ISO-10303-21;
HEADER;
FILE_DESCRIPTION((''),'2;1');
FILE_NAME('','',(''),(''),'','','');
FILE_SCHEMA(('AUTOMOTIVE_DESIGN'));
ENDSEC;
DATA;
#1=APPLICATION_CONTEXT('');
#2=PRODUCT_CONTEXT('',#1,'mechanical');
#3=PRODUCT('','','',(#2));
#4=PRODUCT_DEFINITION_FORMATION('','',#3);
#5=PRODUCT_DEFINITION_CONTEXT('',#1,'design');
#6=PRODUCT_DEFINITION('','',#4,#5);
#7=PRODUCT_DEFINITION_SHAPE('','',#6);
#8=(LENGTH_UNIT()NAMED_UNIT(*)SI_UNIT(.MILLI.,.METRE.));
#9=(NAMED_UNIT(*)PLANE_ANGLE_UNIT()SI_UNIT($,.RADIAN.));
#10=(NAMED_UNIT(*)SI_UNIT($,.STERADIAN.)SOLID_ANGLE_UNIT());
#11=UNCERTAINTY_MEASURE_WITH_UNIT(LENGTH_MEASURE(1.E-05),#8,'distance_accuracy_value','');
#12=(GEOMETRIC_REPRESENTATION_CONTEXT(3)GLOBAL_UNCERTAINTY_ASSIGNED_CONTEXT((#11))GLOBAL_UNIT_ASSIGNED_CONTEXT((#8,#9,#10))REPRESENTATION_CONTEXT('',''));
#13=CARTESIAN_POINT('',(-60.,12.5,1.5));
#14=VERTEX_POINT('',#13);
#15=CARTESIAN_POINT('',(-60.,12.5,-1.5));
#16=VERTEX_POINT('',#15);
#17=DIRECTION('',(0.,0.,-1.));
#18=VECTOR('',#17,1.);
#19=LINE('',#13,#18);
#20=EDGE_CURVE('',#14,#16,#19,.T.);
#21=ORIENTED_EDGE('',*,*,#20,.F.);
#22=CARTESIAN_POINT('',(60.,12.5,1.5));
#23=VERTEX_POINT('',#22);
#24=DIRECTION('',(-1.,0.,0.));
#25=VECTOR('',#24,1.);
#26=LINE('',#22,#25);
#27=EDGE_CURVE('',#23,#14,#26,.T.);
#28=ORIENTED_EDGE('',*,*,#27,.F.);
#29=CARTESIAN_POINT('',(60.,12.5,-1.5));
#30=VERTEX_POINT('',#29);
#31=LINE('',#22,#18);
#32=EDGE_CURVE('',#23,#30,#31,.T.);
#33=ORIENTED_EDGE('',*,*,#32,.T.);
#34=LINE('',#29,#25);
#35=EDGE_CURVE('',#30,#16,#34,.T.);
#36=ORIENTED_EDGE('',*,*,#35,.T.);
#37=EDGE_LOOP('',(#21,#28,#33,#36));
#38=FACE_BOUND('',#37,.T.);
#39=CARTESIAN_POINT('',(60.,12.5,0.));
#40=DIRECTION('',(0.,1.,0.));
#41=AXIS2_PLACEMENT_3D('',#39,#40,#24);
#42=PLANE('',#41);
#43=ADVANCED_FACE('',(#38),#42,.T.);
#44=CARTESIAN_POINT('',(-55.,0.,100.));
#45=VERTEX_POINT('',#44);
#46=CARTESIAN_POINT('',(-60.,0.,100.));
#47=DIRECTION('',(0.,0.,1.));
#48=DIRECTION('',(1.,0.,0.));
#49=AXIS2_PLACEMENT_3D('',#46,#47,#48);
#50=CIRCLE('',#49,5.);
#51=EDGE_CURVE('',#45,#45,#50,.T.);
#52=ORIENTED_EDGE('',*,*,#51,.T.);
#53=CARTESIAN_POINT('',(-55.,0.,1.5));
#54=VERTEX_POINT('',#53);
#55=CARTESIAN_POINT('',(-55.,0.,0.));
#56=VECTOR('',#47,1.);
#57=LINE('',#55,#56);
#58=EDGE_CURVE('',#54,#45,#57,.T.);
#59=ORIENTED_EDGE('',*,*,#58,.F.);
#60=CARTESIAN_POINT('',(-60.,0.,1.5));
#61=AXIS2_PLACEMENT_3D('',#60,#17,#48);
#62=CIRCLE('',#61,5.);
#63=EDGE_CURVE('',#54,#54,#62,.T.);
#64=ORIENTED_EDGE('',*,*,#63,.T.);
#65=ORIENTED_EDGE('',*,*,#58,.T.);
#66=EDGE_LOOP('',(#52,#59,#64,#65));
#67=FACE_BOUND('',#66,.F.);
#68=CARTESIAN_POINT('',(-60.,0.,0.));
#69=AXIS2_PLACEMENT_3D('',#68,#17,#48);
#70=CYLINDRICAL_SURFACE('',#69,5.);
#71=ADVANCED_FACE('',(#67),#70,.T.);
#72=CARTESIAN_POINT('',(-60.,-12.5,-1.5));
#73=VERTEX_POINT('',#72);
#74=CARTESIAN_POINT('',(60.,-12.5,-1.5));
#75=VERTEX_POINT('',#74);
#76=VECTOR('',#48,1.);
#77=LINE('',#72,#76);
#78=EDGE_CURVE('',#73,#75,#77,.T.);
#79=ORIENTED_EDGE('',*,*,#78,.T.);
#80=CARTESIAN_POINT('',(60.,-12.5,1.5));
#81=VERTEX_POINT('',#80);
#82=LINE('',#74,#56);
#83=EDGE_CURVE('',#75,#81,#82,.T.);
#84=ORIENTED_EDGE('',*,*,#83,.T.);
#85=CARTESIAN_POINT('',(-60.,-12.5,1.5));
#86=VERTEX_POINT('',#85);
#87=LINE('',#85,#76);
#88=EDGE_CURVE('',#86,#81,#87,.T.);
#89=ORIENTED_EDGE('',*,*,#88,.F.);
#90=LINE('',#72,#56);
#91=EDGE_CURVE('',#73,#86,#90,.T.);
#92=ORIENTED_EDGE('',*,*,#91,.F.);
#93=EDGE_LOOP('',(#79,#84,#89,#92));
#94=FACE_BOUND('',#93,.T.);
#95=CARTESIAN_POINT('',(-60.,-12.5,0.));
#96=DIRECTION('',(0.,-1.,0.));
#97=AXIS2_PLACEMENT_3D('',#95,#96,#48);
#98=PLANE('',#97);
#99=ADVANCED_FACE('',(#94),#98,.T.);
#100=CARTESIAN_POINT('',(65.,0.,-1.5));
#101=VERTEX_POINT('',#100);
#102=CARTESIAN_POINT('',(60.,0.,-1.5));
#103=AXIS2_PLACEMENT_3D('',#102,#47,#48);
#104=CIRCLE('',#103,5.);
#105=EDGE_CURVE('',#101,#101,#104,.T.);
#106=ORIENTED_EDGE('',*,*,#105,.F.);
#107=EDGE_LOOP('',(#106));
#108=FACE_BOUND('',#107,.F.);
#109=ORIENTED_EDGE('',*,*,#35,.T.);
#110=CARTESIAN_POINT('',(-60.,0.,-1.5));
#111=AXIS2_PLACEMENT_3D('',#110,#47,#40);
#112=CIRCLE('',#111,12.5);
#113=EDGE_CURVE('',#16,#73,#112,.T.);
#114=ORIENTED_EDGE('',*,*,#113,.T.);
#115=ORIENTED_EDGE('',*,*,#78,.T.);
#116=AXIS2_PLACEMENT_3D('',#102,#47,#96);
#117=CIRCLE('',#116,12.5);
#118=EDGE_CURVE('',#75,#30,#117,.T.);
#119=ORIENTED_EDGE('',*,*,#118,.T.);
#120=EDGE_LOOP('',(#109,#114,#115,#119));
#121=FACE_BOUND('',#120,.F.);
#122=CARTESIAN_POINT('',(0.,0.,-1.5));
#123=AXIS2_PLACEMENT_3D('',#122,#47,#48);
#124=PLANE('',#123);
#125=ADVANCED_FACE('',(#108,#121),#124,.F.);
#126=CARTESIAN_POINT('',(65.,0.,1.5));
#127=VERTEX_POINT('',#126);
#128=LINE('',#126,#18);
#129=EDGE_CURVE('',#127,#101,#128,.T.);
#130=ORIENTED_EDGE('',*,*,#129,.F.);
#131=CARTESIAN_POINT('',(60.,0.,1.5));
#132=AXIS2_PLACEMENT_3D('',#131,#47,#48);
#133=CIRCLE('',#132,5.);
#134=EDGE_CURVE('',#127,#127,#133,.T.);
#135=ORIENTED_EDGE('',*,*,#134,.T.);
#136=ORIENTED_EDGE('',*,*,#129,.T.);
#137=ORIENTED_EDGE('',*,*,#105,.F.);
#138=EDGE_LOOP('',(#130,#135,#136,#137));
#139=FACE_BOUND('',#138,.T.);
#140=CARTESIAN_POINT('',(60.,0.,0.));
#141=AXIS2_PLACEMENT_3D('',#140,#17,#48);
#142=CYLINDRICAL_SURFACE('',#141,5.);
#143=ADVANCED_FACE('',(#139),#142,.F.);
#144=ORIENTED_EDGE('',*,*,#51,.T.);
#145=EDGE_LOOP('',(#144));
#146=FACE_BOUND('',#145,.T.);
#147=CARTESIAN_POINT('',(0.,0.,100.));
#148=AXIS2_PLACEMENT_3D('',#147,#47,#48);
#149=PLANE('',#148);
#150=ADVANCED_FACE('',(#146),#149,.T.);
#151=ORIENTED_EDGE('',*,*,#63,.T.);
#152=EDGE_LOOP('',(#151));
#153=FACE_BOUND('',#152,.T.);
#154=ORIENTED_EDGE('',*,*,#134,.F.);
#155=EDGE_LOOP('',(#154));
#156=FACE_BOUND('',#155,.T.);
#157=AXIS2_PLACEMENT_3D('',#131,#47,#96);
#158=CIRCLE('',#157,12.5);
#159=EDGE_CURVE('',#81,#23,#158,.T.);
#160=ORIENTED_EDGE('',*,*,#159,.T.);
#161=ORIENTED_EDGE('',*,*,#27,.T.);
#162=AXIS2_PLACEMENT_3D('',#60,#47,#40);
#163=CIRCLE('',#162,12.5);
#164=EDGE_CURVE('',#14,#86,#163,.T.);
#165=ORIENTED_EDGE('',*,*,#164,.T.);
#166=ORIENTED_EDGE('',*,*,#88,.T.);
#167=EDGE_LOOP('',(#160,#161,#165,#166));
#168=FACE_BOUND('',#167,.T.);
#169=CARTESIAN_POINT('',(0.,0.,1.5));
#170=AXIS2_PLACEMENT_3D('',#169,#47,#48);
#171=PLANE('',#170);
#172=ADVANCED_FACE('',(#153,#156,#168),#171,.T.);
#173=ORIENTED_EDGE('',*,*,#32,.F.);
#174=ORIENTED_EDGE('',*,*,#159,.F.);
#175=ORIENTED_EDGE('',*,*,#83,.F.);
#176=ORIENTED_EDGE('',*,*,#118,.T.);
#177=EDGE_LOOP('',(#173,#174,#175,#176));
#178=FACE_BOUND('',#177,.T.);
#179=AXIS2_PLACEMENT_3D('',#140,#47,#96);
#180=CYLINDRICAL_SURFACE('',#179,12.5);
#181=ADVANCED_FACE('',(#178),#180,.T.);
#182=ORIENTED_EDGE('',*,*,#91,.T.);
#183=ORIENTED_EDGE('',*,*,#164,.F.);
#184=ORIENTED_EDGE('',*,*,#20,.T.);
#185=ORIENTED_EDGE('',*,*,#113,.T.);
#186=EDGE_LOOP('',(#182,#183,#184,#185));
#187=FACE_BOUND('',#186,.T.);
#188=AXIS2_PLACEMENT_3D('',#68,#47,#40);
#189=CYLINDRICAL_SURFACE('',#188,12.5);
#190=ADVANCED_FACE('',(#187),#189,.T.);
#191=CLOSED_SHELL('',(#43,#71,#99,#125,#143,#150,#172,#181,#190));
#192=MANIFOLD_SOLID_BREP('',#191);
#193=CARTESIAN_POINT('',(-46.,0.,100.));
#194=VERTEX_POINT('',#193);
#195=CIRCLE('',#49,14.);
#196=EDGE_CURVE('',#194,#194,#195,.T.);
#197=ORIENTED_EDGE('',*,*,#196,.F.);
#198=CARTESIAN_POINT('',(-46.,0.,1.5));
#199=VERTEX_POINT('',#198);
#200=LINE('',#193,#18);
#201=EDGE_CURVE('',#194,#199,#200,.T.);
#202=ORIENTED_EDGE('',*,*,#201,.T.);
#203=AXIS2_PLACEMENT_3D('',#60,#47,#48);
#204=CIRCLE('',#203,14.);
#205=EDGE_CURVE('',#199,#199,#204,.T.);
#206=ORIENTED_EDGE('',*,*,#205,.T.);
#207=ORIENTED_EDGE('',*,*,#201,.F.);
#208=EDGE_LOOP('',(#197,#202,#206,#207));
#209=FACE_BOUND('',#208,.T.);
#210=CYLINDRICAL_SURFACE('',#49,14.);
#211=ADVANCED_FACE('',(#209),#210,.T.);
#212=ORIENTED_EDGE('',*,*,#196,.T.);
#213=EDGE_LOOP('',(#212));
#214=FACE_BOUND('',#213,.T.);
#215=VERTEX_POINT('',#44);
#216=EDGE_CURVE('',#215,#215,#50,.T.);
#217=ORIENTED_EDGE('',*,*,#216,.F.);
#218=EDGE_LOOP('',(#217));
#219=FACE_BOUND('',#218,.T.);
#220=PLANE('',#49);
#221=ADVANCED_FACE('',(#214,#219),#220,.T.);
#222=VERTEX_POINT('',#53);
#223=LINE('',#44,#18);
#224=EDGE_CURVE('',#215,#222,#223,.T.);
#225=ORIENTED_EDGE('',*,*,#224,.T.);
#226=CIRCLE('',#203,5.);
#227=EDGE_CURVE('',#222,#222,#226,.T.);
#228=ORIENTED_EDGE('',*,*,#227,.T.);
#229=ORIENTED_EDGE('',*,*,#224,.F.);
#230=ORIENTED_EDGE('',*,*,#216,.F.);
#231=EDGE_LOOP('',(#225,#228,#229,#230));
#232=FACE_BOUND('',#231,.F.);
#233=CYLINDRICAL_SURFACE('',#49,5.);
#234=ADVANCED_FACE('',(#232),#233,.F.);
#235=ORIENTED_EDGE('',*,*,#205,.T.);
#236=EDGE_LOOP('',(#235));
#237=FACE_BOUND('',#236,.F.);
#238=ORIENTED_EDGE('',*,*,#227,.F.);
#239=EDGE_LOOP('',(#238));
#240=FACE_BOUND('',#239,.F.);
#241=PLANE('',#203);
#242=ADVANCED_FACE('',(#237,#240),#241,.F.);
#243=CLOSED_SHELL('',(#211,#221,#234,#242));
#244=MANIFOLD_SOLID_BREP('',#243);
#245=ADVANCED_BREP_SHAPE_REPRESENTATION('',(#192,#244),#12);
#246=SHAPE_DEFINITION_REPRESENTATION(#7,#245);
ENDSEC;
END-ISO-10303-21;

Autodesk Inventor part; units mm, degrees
ref_plane "YZ Plane" through (0, 0, 0) normal (1, 0, 0) x (0, 1, 0)
ref_plane "XZ Plane" through (0, 0, 0) normal (0, 1, 0) x (-1, 0, 0)
ref_plane "XY Plane" through (0, 0, 0) normal (0, 0, 1) x (1, 0, 0)
sketch "Esboço1" plane through (0, 0, 0) normal (0, 0, 1) x (1, 0, 0)
  line L0 (-60, 0) -> (60, 0) construction
  line L1 (-60, -12.5) -> (60, -12.5)
  line L2 (60, 12.5) -> (-60, 12.5)
  arc A0 (-60, 12.5) -> (-60, -12.5) centre (-60, 0) ccw
  arc A1 (60, -12.5) -> (60, 12.5) centre (60, 0) ccw
  circle A2 centre (60, 0) radius 5
  circle A3 centre (-60, 0) radius 5
  point P0 (0, 0)
  dimension "d0" = 25
  dimension "d1" = 10
  dimension "d2" = 10
  dimension "d9" = 120
extrude "Extrusão1" add sketch "Esboço1" along normal mid plane 3 contours A0 L2 A1 L1 | A3
extrude "Extrusão2" add sketch "Esboço1" along normal blind 100 contours A3
sketch "Esboço2" plane through (-60, 0, 100) normal (0, 0, 1) x (1, 0, 0)
  circle A0 centre (0, 0) radius 14
  circle A1 centre (0, 0) radius 5 projected
  point P0 (60, 0)
  dimension "d7" = 100
  dimension "d10" = 28
  dimension "d11" = 10
extrude "Extrusão3" add sketch "Esboço2" against normal up to surface (98.5 mm away) separate body
properties part number "Batente limitador"
